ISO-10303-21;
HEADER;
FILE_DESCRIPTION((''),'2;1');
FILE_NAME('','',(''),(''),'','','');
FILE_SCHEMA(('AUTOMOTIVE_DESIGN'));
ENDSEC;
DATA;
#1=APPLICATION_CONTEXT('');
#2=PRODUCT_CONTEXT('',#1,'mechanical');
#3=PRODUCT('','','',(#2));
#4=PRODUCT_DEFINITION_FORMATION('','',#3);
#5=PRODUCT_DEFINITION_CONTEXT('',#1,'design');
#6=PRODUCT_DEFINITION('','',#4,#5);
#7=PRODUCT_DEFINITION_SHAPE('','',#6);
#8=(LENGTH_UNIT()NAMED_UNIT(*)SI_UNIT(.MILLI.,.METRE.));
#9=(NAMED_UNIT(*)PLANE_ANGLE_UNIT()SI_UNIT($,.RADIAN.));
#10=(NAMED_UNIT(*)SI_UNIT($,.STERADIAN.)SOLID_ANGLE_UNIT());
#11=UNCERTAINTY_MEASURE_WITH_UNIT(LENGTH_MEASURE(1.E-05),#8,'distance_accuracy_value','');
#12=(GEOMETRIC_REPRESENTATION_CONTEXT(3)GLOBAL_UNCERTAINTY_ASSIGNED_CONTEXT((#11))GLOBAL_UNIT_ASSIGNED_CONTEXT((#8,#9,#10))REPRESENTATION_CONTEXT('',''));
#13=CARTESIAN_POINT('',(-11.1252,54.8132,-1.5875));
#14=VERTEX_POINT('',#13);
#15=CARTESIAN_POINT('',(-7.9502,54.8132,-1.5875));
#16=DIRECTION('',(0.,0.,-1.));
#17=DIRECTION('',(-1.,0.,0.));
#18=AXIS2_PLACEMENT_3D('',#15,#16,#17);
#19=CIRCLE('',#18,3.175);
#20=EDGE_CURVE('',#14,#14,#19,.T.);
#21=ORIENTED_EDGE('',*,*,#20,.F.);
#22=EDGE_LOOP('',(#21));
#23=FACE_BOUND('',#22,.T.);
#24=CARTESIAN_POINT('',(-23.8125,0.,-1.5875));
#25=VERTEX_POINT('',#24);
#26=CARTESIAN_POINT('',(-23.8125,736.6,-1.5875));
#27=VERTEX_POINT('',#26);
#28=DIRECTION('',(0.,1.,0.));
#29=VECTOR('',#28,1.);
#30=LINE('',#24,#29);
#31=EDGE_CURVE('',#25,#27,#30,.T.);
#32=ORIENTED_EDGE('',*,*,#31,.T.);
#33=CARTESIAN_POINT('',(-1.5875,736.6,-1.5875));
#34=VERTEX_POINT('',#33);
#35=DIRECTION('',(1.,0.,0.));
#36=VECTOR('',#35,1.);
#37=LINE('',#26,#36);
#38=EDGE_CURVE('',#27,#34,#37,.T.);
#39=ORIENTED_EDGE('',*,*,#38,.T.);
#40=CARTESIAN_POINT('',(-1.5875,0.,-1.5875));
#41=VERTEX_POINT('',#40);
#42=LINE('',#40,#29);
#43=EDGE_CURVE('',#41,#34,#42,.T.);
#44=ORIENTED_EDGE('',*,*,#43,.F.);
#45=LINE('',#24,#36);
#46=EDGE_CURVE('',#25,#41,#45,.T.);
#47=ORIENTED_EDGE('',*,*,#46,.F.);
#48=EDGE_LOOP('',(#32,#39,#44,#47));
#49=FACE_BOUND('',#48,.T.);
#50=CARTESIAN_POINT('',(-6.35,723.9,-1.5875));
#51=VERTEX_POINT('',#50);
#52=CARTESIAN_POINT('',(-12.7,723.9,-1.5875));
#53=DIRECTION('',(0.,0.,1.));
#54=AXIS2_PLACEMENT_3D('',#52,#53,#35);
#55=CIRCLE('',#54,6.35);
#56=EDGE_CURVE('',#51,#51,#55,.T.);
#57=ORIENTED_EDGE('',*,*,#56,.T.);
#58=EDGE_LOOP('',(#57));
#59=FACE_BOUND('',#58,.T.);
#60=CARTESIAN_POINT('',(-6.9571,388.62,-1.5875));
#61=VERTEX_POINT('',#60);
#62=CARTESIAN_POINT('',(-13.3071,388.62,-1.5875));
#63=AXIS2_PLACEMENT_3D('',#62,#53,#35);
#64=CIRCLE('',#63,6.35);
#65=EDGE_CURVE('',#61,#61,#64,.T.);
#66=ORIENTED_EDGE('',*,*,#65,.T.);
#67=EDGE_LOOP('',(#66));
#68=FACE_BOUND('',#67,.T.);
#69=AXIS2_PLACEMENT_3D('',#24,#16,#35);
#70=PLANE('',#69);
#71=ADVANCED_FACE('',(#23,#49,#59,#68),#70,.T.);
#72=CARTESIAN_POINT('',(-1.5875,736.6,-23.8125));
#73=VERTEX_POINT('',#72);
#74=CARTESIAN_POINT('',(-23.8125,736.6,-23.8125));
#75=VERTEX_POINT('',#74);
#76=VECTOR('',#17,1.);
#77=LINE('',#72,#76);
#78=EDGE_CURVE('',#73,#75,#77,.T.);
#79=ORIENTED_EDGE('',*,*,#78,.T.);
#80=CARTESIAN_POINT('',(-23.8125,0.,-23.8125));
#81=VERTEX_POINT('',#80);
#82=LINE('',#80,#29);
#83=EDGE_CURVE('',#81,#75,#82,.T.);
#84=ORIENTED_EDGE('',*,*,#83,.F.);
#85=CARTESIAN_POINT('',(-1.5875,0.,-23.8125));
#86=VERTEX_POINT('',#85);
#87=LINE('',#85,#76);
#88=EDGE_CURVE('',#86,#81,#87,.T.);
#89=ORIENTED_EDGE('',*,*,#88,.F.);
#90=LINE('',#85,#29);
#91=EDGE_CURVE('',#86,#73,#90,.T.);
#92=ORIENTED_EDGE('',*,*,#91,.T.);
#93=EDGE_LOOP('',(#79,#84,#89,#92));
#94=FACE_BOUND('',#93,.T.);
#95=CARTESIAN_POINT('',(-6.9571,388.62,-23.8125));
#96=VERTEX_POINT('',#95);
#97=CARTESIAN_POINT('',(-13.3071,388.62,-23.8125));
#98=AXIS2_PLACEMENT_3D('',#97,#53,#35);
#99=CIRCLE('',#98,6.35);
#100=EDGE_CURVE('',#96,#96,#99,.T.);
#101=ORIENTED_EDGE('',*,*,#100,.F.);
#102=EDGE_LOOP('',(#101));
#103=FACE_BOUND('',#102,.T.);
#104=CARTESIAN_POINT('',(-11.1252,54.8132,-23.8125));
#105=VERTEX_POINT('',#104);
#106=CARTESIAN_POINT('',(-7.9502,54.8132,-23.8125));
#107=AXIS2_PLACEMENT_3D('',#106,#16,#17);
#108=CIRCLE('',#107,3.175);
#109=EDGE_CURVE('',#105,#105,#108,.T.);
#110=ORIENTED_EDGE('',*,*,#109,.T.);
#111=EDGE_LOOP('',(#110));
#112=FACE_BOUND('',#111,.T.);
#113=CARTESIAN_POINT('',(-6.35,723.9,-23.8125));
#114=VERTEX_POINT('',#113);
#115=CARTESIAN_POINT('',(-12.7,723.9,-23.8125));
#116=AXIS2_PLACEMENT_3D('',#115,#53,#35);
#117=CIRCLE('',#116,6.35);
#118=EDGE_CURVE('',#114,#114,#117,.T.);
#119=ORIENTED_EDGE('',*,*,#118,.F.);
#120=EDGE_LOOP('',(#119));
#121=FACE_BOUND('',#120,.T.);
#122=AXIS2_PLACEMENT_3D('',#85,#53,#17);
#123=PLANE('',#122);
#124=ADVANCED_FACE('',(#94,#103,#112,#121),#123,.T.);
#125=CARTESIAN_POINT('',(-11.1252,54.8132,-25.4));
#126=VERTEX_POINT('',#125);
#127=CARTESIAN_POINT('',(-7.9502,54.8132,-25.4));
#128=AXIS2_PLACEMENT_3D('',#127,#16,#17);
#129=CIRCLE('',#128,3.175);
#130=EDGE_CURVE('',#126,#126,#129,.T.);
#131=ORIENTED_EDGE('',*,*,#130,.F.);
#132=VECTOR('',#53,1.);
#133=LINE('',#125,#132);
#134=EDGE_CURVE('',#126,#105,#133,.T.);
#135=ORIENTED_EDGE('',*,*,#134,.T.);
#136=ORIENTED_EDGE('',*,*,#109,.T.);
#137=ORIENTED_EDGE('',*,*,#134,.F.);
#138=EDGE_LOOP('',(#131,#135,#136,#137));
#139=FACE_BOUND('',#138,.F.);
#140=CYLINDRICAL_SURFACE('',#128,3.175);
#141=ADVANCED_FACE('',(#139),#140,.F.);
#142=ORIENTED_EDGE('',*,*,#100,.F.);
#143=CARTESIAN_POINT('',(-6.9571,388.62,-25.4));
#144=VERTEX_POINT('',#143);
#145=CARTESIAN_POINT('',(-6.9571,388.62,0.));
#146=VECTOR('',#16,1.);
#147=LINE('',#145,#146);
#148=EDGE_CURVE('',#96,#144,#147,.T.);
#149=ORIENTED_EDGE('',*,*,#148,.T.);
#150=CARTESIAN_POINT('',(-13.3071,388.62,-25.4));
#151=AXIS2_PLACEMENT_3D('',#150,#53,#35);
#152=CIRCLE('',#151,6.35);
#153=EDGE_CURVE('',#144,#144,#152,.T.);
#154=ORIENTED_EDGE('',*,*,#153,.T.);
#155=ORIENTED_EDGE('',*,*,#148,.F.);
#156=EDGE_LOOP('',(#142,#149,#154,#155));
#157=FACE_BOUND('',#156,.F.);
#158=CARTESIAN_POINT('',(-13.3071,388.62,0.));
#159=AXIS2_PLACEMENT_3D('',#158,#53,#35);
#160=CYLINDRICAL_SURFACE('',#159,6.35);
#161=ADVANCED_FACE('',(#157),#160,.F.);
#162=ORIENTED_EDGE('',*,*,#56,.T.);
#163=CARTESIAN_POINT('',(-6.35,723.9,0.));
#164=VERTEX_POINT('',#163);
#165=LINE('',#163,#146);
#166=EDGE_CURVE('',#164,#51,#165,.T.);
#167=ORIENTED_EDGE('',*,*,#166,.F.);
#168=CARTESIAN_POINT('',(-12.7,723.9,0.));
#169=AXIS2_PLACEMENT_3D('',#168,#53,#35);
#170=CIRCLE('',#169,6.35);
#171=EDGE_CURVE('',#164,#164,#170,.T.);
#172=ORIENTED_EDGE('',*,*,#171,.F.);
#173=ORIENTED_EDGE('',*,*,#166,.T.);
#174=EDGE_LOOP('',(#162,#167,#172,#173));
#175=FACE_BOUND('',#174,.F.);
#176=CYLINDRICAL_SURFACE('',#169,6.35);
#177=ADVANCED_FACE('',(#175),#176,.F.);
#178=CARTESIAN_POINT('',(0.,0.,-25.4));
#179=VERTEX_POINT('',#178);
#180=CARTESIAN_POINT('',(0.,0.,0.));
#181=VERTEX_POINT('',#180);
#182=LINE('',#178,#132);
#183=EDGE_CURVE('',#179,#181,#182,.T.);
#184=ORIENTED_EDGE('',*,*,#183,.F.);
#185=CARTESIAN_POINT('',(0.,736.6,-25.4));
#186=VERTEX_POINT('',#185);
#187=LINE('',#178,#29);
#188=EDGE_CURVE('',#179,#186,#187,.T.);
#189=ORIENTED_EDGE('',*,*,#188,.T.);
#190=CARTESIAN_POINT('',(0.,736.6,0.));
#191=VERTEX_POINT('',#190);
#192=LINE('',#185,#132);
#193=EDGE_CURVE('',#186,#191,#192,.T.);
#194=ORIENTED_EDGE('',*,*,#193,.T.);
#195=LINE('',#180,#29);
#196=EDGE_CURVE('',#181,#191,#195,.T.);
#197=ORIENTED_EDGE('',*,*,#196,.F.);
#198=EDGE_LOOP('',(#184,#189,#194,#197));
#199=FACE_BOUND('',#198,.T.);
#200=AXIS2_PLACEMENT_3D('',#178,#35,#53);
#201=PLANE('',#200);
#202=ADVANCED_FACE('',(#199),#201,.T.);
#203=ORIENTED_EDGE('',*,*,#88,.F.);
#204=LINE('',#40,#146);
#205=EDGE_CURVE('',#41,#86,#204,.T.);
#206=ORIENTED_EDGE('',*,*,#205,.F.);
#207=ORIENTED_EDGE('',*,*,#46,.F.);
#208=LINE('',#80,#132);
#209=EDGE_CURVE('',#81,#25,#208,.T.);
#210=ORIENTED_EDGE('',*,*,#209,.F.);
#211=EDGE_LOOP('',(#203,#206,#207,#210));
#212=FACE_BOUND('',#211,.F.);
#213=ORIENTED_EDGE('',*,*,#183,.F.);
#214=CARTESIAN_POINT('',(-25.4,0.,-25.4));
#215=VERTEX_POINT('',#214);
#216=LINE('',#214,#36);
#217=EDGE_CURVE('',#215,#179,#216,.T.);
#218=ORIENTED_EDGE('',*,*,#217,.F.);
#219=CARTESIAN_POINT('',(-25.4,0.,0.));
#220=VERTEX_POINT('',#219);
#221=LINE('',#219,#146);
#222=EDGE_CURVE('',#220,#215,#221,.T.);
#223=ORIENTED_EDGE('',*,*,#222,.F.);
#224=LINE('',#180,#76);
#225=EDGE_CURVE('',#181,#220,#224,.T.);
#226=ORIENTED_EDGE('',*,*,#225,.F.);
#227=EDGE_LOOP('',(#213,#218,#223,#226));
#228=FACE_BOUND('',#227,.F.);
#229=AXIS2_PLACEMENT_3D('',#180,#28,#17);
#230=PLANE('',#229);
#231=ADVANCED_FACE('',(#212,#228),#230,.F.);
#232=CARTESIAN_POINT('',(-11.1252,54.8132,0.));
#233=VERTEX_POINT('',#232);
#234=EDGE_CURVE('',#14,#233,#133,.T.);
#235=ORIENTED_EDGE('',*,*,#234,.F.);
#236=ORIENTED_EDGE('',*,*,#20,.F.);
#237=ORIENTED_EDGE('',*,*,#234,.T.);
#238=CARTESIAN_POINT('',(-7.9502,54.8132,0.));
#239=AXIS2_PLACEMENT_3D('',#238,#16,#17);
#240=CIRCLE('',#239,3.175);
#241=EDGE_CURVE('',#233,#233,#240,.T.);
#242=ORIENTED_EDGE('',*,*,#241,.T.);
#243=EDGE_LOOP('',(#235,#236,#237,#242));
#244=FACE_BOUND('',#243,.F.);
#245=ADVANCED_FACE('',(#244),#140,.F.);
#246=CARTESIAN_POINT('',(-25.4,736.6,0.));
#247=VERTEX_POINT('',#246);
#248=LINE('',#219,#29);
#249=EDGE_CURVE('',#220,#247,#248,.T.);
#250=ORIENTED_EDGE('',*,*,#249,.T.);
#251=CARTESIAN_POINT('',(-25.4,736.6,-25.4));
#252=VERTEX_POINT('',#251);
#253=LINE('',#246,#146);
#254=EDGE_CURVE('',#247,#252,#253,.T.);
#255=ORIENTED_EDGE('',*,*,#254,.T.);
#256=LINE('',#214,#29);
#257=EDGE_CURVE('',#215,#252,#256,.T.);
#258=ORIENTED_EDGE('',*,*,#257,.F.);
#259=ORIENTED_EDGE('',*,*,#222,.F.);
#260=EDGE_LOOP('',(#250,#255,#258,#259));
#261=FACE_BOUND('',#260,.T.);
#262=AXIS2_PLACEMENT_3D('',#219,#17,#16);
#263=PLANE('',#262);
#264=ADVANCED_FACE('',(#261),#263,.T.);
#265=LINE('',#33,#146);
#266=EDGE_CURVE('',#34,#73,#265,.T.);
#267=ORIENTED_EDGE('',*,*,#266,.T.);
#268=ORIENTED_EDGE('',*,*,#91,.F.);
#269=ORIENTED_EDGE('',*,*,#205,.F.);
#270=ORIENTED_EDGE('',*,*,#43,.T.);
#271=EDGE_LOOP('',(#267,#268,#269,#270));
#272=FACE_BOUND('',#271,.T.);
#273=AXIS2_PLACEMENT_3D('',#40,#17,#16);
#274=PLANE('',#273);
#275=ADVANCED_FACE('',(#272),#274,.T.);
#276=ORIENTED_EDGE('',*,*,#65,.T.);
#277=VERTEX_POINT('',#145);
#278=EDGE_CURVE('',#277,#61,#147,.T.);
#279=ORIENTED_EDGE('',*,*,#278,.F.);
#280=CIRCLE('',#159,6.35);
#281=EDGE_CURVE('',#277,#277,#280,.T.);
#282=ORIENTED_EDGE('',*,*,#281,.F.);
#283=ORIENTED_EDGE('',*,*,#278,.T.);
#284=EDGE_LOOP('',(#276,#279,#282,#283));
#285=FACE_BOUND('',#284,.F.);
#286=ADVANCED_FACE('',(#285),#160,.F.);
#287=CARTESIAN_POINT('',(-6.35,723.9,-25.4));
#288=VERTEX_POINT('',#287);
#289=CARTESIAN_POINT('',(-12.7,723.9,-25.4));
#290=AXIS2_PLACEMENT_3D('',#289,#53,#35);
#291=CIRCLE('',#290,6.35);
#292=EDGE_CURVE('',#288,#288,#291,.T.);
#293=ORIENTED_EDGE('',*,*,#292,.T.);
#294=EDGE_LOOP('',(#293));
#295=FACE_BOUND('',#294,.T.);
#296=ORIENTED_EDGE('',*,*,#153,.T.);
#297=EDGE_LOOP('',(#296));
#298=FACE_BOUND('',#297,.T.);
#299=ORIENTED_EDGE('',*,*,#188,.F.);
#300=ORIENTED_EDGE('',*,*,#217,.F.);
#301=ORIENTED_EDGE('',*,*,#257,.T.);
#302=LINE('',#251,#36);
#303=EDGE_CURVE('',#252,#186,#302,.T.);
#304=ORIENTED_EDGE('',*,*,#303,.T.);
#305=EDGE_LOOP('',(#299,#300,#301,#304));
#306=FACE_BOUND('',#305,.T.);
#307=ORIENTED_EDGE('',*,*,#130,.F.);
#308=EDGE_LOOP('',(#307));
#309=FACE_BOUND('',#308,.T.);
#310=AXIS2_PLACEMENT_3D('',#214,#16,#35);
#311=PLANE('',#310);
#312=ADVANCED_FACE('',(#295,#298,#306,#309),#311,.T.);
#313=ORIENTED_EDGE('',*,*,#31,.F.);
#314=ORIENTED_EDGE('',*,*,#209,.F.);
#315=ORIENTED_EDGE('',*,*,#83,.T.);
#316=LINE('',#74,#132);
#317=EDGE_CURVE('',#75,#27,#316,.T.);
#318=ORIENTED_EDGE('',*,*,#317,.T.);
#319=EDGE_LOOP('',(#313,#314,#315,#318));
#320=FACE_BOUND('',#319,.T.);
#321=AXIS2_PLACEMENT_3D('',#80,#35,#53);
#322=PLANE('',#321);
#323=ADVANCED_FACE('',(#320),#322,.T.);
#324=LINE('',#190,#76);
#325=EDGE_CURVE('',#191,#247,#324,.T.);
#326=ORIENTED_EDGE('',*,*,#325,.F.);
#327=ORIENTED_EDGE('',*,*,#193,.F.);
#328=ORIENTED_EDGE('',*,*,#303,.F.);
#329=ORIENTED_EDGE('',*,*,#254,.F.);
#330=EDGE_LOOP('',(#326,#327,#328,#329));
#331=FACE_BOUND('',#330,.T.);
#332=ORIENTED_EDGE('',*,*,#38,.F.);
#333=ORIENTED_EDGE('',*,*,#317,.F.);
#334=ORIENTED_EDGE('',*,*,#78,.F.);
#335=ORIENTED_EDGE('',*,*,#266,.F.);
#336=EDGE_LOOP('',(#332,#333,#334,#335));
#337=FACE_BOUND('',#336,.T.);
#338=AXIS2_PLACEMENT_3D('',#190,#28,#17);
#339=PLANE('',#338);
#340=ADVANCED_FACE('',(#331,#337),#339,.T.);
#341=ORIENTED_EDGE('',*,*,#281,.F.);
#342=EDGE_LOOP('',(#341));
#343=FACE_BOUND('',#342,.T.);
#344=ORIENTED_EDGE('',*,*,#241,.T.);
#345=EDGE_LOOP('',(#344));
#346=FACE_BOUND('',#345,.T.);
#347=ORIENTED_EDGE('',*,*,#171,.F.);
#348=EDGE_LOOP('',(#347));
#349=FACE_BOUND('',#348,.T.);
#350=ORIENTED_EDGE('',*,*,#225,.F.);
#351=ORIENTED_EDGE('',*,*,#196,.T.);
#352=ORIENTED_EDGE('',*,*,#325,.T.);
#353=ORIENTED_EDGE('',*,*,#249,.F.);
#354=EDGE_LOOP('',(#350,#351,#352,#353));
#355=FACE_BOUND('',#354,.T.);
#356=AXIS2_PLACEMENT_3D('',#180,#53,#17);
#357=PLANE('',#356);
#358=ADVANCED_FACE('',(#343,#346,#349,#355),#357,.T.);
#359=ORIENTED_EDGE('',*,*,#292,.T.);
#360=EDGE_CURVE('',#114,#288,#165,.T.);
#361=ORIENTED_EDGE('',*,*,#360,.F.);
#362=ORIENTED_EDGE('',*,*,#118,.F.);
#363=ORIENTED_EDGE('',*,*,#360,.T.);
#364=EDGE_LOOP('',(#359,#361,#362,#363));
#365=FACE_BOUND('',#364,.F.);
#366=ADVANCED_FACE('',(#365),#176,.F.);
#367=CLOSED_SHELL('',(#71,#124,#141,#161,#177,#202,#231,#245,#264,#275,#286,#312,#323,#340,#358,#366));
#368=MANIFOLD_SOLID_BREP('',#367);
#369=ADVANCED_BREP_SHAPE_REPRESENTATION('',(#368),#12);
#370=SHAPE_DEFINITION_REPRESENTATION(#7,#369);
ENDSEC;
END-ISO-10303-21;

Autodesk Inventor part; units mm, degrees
ref_plane "YZ Plane" through (0, 0, 0) normal (1, 0, 0) x (0, 1, 0)
ref_plane "XZ Plane" through (0, 0, 0) normal (0, 1, 0) x (-1, 0, 0)
ref_plane "XY Plane" through (0, 0, 0) normal (0, 0, 1) x (1, 0, 0)
sketch "Sketch1" plane through (0, 0, 0) normal (0, 1, 0) x (-1, 0, 0)
  line L0 (0, 0) -> (25.4, 0)
  line L1 (25.4, 0) -> (25.4, -25.4)
  line L2 (25.4, -25.4) -> (0, -25.4)
  line L3 (0, -25.4) -> (0, 0)
  line L4 (23.8125, -23.8125) -> (23.8125, -1.5875)
  line L5 (23.8125, -1.5875) -> (1.5875, -1.5875)
  line L6 (1.5875, -1.5875) -> (1.5875, -23.8125)
  line L7 (1.5875, -23.8125) -> (23.8125, -23.8125)
  dimension "d0" = 25.4
  dimension "d1" = 25.4
  dimension "d2" = 1.5875
extrude "Extrusion1" add sketch "Sketch1" along normal blind 736.6
sketch "Sketch2" plane through (-25.4, 0, 0) normal (0, 0, 1) x (1, 0, 0)
  circle A0 centre (12.7, 723.9) radius 6.35
  line L0 (0, 736.6) -> (25.4, 736.6) projected
  circle A1 centre (12.0929, 388.62) radius 6.35
  line L1 (0, 0) -> (0, 736.6) projected
  point P0 (25.4, 0)
  dimension "d5" = 12.7
  dimension "d6" = 12.7
  dimension "d7" = 12.7
  dimension "d8" = 347.98
  dimension "d11" = 12.0929
extrude "Extrusion2" cut sketch "Sketch2" against normal blind 25.4
sketch "Sketch3" plane through (0, 0, -25.4) normal (0, 0, -1) x (-1, 0, 0)
  point P0 (0, 0)
sketch "Sketch4" plane through (0, 0, -25.4) normal (0, 0, -1) x (-1, 0, 0)
  circle A0 centre (7.9502, 54.8132) radius 3.175
  line L0 (0, 0) -> (0, 736.6) projected
  line L1 (25.4, 0) -> (0, 0) projected
  dimension "d12" = 7.9502
  dimension "d13" = 54.8132
  dimension "d14" = 6.35
extrude "Extrusion3" cut sketch "Sketch4" against normal blind 25.4
properties part number "AP 1"
